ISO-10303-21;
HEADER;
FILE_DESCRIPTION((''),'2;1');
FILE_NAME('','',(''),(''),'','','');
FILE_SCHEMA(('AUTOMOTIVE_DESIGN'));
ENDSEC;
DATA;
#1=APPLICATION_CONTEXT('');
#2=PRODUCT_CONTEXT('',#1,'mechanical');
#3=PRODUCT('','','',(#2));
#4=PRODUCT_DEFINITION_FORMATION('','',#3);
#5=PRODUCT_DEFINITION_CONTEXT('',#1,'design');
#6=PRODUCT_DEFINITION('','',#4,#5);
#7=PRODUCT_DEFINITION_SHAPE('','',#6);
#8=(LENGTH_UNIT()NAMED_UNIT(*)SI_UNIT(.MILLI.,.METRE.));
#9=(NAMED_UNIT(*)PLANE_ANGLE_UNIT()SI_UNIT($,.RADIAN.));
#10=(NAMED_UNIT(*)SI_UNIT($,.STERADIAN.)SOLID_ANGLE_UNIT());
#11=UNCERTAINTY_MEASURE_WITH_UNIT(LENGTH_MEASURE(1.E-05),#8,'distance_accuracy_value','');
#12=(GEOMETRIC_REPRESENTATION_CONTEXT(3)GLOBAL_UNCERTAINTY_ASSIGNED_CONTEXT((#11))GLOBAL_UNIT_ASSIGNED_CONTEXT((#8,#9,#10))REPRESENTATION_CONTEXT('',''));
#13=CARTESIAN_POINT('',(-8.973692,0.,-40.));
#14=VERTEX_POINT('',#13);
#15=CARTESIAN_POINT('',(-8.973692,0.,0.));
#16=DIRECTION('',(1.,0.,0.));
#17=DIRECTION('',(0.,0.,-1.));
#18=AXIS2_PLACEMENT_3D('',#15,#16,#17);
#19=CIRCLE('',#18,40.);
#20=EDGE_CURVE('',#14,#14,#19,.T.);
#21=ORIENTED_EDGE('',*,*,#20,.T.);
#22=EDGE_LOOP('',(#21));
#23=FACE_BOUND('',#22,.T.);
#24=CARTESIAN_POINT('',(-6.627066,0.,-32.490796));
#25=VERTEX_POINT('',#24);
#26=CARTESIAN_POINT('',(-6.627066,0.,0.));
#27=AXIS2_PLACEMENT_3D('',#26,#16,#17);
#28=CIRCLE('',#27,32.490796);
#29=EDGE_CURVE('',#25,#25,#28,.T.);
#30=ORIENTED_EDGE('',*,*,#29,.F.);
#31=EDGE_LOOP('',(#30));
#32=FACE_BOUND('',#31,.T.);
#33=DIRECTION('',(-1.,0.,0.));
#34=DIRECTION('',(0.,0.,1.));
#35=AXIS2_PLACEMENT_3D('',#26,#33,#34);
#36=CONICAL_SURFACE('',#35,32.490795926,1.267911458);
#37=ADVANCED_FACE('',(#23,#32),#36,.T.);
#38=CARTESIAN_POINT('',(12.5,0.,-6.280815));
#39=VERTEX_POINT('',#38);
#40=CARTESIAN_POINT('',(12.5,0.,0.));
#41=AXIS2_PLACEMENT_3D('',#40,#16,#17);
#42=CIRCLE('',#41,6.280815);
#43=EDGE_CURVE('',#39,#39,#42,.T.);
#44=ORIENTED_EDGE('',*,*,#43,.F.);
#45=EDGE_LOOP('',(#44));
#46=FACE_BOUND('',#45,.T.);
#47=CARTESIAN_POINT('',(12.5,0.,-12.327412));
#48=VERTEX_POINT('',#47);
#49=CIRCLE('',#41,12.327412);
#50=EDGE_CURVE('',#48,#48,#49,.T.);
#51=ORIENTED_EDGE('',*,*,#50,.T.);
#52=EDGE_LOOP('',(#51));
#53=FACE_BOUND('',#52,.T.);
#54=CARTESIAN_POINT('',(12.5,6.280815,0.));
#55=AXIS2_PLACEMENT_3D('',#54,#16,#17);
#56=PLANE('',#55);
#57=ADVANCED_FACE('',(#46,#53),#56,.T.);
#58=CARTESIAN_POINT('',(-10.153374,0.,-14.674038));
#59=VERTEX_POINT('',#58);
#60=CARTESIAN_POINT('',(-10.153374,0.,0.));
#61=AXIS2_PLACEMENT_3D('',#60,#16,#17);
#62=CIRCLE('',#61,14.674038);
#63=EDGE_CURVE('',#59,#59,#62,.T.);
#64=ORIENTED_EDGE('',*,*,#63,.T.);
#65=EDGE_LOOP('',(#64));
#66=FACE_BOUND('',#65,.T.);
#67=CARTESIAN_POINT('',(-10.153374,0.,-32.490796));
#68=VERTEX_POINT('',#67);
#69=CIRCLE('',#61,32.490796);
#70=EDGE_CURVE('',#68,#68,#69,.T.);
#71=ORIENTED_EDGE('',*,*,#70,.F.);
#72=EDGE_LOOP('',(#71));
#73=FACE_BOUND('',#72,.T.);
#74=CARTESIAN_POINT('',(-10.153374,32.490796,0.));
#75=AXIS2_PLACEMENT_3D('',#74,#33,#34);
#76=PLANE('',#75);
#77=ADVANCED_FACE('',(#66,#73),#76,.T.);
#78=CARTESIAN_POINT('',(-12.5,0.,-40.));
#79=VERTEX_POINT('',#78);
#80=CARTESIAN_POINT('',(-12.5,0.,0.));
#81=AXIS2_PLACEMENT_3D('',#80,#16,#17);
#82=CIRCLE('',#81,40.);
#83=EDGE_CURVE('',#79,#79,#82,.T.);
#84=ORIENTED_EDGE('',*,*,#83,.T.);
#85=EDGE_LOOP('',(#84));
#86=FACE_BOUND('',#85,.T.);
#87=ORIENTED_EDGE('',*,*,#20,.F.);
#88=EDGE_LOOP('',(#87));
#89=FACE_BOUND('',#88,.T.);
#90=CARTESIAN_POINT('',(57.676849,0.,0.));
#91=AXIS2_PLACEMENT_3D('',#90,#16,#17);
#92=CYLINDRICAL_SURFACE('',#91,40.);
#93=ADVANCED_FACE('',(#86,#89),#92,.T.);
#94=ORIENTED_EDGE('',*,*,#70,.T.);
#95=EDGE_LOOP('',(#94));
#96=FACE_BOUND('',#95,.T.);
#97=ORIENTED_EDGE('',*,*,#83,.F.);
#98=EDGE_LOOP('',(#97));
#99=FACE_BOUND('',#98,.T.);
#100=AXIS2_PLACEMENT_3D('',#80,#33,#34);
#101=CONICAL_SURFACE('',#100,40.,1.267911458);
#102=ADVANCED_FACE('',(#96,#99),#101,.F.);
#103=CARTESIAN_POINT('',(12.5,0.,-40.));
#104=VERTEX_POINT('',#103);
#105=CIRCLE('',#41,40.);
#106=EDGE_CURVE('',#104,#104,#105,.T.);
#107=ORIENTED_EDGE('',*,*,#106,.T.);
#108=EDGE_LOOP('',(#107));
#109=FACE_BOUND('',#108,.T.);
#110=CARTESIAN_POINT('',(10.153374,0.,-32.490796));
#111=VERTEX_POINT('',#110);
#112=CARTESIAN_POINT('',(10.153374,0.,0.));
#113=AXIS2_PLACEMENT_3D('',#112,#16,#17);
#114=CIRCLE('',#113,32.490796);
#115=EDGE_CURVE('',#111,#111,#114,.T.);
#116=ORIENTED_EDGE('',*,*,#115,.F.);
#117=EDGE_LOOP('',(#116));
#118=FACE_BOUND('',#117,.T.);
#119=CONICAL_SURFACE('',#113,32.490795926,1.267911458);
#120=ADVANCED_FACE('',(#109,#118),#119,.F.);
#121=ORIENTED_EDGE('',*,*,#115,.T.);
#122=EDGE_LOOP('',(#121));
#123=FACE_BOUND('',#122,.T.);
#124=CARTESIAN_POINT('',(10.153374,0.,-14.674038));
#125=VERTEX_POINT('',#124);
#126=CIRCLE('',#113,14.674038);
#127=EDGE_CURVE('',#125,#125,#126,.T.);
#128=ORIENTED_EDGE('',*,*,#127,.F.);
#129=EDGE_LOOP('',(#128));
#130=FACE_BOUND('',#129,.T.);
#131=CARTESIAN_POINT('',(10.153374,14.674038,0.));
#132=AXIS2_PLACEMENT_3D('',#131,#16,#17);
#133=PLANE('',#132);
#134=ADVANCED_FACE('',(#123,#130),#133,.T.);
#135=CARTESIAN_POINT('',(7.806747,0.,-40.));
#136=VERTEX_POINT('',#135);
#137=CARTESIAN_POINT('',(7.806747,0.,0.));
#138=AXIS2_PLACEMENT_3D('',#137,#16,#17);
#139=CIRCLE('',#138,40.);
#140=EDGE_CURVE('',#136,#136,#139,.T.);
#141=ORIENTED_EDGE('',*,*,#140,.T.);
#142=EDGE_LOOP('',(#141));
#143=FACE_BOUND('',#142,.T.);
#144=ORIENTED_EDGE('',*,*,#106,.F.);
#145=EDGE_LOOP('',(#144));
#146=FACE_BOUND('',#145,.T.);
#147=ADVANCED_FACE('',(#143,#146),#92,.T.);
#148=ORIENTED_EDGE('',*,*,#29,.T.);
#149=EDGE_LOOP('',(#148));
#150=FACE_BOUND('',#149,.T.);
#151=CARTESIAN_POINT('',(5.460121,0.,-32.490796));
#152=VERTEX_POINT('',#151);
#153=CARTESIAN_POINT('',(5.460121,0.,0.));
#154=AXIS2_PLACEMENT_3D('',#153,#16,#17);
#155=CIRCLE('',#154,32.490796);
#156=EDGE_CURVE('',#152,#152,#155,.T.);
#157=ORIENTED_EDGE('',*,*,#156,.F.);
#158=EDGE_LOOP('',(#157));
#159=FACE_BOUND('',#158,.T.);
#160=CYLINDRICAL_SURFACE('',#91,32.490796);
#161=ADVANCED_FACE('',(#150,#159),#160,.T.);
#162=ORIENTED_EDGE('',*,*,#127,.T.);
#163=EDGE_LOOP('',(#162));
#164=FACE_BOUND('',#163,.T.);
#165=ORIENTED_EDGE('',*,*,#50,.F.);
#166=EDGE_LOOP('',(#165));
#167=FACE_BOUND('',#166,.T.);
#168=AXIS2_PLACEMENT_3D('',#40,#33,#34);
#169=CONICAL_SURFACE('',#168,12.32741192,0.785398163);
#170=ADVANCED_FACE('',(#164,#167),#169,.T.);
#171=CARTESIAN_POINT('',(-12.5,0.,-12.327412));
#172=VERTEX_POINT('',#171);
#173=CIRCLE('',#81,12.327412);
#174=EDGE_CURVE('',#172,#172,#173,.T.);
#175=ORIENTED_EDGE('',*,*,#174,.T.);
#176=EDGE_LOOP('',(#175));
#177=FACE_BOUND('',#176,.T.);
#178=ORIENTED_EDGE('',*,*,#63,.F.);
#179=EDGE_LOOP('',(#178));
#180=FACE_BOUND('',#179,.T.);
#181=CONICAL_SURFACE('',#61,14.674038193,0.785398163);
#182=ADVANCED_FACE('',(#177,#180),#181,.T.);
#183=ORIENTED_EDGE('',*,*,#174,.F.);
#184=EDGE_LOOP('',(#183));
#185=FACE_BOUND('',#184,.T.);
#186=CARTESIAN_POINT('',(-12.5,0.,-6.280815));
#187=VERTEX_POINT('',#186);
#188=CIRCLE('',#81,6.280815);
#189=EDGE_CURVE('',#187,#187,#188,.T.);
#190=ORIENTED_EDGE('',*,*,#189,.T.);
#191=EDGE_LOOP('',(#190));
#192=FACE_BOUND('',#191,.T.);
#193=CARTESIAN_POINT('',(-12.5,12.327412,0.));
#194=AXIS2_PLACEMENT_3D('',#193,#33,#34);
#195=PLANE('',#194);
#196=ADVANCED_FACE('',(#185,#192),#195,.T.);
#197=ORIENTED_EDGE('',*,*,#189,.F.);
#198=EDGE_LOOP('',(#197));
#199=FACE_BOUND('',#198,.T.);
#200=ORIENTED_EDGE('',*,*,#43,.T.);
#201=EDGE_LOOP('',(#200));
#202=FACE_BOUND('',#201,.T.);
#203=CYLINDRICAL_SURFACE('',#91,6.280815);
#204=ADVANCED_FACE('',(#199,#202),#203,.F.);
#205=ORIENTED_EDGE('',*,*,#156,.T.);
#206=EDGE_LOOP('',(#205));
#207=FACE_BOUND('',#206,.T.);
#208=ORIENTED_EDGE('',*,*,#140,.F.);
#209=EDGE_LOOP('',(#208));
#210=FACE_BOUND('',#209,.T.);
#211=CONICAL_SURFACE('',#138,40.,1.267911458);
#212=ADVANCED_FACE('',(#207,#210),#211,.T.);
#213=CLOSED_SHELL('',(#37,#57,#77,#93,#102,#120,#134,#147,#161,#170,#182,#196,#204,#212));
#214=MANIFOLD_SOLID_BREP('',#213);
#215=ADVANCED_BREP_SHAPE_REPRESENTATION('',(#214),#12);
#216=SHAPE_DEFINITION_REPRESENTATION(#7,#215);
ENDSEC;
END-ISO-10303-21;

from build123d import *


with BuildPart() as part:
    # Croquis1 → Revolución1 (revolve)
    with BuildSketch(Plane.XY, mode=Mode.PRIVATE) as revoluci_n1_sk:
        Polygon((-12.5, 6.280814534), (12.5, 6.280814534), (12.5, 12.32741192), (10.153373727, 14.674038193), (10.153373727, 32.490795926), (12.5, 40), (7.806747454, 40), (5.46012118, 32.490795926), (-6.627065662, 32.490795926), (-8.973691936, 40), (-12.5, 40), (-10.153373727, 32.490795926), (-10.153373727, 14.674038193), (-12.5, 12.32741192), align=None)
    revolve(revoluci_n1_sk.sketch.rotate(Axis((57.676848905, 0, 0), (-1, 0, 0)), 90), axis=Axis((57.676848905, 0, 0), (-1, 0, 0)))


solid = part.part
